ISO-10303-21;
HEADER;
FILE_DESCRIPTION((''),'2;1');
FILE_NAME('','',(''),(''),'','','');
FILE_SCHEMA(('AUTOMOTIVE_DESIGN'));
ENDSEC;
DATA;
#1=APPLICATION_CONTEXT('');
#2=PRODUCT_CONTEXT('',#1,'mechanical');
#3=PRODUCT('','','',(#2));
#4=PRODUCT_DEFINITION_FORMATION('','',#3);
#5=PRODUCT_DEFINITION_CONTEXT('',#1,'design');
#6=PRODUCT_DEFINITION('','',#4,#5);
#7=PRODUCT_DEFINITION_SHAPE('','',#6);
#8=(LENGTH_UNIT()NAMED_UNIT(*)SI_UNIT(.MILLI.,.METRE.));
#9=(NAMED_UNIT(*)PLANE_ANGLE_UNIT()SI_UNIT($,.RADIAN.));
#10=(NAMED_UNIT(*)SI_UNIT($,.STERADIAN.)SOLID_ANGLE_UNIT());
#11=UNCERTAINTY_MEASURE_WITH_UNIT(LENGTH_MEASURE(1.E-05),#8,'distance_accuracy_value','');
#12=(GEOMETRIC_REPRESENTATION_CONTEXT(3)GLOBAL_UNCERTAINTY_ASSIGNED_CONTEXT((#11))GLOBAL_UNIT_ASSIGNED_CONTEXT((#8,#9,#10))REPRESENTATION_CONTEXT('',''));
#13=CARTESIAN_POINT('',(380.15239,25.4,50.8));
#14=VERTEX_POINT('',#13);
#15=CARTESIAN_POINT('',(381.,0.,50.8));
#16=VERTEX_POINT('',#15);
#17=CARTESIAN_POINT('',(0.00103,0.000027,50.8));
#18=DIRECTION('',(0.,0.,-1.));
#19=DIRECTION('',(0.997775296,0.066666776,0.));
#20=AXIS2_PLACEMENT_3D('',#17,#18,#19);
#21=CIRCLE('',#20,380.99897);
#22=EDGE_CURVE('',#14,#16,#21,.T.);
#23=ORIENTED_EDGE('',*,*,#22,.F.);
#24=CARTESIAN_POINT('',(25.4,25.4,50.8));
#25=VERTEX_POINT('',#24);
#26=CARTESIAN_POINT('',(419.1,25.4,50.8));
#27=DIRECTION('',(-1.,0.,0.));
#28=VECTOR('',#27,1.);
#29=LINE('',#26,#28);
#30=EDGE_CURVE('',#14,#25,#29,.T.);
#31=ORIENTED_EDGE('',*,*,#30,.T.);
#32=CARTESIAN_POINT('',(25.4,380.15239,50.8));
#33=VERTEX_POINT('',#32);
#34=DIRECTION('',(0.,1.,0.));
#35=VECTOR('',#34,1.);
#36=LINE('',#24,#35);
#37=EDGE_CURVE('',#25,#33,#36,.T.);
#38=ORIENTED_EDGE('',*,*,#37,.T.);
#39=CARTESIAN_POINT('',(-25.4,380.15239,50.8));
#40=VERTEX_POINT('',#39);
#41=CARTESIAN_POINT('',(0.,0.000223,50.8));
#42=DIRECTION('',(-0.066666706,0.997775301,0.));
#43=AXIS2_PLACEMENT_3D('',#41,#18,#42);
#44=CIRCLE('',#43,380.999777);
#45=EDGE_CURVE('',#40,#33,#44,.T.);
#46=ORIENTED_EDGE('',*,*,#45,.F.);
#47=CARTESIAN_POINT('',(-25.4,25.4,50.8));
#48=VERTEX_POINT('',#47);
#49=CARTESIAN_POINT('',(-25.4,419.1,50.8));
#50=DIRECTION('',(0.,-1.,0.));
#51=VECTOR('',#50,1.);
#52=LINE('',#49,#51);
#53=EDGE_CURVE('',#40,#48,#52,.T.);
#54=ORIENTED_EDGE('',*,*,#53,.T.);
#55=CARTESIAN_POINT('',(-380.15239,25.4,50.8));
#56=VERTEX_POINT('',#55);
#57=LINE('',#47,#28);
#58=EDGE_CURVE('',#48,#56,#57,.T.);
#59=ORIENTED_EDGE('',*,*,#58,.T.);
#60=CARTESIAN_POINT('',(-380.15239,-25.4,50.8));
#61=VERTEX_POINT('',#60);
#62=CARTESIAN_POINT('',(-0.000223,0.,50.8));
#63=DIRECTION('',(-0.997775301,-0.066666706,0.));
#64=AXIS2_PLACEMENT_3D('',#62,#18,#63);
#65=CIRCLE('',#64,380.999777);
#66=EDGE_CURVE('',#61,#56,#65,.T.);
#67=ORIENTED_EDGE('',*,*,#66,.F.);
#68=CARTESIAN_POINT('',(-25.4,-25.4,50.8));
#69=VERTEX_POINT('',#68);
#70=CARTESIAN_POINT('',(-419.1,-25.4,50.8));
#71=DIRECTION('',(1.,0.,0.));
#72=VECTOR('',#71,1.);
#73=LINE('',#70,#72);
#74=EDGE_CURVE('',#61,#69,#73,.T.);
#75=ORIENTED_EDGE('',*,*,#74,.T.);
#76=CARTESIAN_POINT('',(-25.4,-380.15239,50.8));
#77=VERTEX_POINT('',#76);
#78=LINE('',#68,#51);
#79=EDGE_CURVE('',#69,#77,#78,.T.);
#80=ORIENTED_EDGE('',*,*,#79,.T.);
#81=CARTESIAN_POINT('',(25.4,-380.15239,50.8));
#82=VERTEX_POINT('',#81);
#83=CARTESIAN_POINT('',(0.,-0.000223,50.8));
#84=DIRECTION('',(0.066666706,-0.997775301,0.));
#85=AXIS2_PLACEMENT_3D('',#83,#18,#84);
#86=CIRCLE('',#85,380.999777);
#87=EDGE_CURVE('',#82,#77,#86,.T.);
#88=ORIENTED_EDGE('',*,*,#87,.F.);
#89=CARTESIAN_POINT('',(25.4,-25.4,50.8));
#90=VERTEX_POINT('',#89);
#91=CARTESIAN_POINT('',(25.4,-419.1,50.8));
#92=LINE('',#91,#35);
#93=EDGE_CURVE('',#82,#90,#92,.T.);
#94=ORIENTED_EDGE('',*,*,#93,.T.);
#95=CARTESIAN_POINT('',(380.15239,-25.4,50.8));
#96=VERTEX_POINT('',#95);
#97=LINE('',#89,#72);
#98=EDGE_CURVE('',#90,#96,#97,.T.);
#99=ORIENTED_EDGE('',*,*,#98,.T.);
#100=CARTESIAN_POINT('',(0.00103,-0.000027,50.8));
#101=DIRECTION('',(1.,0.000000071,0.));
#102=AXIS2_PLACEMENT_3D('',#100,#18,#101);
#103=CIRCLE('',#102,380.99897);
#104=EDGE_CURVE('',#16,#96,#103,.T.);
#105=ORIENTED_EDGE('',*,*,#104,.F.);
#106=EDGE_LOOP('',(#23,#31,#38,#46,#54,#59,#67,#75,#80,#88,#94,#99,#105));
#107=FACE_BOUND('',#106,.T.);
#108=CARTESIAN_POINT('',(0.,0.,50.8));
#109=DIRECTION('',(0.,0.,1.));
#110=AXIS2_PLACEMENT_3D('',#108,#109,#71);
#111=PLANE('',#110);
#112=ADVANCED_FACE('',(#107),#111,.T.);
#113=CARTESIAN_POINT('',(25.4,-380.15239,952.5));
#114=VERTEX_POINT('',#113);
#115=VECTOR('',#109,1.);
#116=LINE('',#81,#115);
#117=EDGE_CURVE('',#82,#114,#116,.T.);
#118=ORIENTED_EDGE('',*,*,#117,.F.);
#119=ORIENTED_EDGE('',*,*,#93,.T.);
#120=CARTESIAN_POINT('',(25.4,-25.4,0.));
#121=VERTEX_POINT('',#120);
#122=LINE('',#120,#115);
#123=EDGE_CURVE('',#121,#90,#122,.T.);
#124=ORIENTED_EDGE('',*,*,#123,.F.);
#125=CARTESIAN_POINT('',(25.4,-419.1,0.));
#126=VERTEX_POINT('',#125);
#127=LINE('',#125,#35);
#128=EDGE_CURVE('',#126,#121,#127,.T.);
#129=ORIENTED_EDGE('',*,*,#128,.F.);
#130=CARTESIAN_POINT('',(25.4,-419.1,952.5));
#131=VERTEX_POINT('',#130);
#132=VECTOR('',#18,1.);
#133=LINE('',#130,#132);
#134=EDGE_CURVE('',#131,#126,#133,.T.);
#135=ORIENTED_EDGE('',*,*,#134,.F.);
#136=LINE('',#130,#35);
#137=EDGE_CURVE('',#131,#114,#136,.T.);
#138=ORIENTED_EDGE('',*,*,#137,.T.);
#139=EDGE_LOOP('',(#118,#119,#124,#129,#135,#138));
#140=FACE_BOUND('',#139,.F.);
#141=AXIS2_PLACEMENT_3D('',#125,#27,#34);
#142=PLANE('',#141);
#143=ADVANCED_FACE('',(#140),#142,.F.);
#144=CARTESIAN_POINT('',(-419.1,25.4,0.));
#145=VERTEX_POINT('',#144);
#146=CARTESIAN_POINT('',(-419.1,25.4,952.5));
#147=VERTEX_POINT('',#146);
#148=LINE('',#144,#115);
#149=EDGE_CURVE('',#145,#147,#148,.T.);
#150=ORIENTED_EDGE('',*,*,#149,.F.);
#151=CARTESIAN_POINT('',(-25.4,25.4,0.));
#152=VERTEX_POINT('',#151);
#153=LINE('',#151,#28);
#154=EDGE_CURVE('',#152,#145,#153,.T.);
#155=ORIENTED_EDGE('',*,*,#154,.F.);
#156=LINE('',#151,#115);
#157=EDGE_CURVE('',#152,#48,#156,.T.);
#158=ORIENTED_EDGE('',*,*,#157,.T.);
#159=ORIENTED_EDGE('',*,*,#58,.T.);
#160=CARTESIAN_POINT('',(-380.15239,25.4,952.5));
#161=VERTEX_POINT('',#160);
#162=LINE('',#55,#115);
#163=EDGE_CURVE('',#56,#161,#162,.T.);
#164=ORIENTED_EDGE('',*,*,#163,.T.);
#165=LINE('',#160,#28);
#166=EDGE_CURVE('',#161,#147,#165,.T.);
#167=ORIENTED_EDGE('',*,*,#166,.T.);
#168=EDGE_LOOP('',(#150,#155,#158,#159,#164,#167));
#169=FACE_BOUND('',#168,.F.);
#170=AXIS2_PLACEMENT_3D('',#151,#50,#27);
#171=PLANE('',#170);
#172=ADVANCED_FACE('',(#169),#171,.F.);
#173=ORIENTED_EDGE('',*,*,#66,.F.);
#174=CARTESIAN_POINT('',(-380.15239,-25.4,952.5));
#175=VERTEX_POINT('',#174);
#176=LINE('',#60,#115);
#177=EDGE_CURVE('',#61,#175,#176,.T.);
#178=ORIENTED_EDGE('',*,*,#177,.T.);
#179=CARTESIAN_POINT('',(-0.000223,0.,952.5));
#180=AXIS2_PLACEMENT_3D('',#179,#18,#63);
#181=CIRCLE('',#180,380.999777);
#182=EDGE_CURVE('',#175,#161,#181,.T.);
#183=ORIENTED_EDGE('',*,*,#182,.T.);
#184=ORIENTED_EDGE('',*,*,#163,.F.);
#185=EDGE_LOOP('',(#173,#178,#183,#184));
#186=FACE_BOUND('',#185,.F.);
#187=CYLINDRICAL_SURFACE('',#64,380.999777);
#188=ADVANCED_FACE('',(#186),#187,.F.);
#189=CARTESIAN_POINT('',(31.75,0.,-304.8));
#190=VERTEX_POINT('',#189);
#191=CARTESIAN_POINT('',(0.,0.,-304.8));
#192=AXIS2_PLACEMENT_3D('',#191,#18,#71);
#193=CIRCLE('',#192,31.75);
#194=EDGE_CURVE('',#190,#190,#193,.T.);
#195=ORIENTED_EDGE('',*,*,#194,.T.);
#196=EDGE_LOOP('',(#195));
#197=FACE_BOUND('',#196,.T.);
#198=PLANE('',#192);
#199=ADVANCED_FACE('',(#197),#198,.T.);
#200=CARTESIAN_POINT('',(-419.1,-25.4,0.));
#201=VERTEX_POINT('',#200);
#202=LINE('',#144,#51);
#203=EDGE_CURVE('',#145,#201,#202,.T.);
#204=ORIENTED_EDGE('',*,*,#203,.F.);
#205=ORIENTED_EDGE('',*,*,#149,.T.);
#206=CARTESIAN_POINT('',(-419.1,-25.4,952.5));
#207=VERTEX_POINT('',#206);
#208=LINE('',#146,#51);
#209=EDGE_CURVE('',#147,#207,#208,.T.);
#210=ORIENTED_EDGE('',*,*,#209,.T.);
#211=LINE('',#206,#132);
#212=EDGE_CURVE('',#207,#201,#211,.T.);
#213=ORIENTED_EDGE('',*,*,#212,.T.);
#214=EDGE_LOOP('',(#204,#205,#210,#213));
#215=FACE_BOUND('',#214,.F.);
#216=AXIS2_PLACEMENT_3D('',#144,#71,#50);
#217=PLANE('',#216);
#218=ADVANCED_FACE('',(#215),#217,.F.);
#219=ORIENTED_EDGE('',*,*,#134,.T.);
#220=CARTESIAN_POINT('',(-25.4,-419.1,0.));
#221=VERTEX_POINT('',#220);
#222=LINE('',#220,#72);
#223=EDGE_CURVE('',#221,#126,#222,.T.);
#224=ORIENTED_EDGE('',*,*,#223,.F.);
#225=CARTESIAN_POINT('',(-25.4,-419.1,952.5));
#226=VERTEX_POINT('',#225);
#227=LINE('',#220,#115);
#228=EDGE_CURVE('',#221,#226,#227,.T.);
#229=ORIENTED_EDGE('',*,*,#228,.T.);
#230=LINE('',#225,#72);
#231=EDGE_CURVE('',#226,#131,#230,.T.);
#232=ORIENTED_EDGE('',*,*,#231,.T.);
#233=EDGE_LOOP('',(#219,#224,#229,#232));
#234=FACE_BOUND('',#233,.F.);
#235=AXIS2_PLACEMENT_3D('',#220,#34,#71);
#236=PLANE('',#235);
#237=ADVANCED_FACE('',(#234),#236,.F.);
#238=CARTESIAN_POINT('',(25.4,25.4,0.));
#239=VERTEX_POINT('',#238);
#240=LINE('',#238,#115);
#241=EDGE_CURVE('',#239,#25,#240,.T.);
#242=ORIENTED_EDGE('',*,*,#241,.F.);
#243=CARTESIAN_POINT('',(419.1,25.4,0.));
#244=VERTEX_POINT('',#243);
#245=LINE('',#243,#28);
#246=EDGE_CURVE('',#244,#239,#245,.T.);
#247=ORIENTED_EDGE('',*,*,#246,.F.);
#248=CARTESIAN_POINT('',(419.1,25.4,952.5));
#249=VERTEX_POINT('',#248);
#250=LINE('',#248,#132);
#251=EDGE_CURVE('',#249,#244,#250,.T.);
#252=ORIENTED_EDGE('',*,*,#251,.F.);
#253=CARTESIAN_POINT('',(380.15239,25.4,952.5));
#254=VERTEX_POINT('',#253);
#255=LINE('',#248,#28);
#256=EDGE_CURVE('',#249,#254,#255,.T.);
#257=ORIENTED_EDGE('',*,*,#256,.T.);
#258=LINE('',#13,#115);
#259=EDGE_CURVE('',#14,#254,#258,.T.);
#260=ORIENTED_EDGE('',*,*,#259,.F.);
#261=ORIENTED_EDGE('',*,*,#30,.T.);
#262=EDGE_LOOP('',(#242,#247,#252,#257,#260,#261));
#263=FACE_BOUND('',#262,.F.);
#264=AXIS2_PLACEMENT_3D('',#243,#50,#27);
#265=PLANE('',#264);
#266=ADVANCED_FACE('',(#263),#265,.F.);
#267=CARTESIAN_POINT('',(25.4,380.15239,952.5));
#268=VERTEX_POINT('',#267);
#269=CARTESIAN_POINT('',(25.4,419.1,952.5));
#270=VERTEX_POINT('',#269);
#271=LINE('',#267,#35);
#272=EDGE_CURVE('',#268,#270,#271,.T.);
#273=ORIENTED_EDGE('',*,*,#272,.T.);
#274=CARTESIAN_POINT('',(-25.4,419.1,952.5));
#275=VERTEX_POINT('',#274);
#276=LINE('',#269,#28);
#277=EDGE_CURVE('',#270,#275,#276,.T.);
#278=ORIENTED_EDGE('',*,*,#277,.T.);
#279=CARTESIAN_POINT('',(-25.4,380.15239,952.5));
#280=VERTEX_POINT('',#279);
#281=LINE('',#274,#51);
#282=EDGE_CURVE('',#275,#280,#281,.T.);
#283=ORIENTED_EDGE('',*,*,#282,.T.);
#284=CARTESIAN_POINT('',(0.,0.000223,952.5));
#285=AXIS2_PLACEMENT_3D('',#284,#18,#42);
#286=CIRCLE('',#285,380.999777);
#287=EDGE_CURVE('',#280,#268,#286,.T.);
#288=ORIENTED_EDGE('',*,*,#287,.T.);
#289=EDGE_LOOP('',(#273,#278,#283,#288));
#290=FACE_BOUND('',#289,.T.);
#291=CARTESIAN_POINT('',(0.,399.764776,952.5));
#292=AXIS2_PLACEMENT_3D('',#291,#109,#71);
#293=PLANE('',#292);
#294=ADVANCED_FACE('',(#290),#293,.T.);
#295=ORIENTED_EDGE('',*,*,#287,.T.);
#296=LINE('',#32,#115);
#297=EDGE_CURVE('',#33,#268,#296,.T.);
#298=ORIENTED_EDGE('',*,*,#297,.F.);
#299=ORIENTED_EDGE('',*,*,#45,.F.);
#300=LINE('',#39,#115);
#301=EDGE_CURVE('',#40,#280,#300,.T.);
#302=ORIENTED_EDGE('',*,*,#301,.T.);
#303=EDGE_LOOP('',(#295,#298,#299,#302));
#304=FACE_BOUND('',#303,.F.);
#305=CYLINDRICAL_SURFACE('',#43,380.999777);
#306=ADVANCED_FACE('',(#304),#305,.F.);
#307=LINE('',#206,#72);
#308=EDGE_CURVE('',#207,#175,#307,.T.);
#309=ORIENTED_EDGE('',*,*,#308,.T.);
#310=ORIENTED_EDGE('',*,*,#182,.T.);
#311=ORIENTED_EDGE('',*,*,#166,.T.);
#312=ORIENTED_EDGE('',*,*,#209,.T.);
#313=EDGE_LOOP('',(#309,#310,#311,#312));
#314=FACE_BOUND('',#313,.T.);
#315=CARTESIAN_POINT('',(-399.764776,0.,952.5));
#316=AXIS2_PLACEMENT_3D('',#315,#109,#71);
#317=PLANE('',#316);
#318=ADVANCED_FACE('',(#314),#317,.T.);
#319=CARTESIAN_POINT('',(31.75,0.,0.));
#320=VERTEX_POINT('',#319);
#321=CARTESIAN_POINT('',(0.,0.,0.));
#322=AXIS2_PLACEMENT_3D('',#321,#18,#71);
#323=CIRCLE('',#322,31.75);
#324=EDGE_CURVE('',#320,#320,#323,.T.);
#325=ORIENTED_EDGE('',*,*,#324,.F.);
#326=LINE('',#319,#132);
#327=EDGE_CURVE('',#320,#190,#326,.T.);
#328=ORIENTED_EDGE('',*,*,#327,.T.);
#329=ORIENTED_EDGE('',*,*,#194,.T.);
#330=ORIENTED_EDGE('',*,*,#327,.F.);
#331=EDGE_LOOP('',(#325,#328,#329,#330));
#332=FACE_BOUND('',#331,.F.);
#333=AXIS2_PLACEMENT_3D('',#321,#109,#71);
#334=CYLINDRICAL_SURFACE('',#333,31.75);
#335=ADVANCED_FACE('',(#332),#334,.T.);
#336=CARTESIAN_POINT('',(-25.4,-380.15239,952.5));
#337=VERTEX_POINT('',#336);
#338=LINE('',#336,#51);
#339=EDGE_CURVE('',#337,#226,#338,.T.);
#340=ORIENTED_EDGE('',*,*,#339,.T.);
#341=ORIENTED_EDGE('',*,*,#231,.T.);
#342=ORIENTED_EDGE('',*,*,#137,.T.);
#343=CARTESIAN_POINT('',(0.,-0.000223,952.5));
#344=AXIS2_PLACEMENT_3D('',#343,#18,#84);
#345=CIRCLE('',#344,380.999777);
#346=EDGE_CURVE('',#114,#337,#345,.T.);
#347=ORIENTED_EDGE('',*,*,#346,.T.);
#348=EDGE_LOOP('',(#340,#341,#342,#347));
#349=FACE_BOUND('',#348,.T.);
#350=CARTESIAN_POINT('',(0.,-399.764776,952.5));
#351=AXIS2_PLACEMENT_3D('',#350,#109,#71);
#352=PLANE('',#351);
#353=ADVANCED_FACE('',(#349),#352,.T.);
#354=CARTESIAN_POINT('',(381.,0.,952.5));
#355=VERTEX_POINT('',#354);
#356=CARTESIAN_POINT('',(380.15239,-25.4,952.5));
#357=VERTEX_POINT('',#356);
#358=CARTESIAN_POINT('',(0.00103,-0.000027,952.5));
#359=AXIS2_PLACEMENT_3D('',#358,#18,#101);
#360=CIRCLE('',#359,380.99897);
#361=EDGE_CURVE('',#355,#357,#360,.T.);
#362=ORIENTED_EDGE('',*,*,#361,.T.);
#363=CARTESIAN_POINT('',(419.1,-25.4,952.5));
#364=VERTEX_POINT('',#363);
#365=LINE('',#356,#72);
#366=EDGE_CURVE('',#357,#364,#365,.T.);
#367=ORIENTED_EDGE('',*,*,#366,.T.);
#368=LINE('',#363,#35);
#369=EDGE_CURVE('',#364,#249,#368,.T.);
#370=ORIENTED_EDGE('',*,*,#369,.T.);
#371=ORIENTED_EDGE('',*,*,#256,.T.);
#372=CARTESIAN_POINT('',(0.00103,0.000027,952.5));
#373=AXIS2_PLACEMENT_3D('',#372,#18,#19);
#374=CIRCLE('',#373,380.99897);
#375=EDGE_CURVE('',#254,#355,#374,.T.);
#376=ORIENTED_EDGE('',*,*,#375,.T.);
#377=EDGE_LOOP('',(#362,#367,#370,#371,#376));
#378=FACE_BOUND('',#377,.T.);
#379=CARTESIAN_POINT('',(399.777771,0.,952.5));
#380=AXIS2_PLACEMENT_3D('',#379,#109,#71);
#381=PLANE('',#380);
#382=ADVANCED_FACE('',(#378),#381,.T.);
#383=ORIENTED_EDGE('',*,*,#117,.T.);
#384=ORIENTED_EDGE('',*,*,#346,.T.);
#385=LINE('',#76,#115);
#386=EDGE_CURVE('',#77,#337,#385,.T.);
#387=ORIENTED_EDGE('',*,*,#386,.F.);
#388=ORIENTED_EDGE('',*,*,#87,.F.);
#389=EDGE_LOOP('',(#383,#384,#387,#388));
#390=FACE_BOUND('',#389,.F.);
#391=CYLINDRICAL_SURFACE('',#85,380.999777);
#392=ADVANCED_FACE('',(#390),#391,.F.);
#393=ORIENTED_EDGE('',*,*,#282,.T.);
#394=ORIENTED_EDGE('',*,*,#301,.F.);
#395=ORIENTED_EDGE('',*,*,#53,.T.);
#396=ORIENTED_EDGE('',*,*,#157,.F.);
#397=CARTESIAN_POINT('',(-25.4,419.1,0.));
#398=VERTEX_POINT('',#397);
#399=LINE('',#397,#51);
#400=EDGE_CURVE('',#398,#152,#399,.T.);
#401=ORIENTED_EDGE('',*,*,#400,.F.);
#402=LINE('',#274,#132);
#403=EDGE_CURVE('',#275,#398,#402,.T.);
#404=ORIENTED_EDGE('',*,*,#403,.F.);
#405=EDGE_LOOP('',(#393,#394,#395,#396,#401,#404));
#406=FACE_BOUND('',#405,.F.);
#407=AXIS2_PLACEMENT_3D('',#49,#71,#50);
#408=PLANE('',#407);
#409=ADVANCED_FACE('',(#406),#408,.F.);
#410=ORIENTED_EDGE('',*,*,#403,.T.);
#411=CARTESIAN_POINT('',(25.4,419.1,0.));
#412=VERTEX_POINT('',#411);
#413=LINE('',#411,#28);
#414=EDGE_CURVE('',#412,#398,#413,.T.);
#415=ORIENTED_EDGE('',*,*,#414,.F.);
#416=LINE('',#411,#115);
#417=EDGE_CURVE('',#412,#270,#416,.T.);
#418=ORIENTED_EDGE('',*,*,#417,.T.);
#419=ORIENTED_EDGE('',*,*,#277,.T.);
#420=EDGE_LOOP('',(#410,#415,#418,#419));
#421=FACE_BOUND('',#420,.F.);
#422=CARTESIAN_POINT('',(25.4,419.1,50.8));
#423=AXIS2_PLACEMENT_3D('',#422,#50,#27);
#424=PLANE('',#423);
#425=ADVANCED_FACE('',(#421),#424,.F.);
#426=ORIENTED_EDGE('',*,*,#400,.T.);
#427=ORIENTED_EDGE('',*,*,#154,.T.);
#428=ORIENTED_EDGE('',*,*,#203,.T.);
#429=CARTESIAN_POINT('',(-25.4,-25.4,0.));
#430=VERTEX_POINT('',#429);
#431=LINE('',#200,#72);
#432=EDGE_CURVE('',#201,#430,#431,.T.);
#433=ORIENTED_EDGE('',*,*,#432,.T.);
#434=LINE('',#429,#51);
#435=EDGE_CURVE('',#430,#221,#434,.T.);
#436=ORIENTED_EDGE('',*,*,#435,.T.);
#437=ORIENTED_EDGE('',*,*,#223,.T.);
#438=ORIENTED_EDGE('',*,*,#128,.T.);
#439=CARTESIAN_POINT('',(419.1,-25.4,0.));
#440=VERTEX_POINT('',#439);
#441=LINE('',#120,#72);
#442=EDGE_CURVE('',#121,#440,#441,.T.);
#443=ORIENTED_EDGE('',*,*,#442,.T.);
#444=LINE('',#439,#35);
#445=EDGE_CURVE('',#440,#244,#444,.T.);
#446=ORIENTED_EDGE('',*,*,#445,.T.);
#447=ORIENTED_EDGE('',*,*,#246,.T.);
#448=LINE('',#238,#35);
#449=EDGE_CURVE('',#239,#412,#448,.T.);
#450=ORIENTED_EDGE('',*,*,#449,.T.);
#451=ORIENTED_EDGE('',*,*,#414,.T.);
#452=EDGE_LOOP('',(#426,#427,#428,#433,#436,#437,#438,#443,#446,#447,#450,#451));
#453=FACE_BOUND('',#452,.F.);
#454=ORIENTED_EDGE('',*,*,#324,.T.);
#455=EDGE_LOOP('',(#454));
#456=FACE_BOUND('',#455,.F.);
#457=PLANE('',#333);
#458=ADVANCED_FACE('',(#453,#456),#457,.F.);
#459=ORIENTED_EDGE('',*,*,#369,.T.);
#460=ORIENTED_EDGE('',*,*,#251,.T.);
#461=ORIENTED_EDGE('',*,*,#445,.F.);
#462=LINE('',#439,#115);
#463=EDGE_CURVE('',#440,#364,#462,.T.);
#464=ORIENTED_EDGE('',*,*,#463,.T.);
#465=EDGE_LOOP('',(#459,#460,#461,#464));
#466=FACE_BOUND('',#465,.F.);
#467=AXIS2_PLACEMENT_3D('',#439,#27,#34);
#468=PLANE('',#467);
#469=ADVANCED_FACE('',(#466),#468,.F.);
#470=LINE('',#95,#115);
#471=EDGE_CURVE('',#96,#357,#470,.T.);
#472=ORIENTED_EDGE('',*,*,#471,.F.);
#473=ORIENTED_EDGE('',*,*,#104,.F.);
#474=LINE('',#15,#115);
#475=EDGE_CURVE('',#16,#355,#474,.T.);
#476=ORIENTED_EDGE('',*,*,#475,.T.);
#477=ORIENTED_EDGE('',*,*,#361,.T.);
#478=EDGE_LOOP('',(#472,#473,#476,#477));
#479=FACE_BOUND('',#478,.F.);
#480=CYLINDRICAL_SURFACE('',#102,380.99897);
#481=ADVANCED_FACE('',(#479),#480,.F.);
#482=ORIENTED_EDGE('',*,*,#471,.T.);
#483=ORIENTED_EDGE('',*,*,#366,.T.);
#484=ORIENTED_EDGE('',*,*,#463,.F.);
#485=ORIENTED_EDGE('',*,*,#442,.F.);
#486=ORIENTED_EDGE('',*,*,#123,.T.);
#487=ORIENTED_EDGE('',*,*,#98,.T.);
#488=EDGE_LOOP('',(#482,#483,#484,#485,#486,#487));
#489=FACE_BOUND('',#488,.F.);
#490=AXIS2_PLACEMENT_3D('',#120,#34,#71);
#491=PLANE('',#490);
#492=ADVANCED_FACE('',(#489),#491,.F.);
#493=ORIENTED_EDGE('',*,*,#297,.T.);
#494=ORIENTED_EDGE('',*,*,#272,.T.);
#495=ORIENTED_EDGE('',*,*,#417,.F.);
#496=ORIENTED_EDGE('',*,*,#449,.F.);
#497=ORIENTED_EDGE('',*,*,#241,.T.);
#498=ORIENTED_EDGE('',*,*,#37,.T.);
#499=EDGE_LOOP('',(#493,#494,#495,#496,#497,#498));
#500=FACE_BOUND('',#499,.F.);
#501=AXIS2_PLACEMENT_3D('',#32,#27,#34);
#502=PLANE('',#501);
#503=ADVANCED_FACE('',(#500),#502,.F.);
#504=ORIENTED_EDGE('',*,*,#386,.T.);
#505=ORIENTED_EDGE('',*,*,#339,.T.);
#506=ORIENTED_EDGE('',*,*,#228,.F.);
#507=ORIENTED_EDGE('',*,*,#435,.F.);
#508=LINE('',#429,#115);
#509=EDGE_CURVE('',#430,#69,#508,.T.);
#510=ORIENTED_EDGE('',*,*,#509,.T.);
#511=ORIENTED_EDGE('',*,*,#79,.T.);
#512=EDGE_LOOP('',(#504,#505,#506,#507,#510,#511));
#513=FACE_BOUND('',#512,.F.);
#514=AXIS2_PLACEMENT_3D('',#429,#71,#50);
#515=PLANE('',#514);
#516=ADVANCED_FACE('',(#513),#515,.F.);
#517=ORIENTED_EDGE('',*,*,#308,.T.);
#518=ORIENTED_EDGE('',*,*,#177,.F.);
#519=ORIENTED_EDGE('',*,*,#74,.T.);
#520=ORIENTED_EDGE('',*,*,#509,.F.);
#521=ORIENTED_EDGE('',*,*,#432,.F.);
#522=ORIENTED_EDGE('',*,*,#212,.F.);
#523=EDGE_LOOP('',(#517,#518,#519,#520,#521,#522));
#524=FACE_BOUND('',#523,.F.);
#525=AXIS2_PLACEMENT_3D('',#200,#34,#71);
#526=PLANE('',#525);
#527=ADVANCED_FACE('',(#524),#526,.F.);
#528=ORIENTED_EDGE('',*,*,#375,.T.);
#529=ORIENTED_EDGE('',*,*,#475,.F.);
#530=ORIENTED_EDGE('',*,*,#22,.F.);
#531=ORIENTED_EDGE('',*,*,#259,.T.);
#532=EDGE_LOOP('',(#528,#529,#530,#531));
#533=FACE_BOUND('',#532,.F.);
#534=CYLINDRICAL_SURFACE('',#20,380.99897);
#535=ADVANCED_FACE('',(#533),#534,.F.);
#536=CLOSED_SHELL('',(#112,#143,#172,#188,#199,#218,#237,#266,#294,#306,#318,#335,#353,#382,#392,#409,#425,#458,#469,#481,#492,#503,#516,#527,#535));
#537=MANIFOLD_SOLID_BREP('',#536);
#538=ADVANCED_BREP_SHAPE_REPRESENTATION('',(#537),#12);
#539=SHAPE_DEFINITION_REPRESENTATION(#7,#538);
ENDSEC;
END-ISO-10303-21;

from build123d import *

# Parameters (mm, degrees)
F1_DEPTH = 50.8
F3_DEPTH = 901.7
F4_R     = 31.75
F5_DEPTH = 304.8


with BuildPart() as f1:
    # F0 (on Top) → F1 (new body)
    with BuildSketch(Plane.XY):
        Polygon((25.4, 419.1), (-25.4, 419.1), (-25.4, 25.4), (-419.1, 25.4), (-419.1, -25.4), (-25.4, -25.4), (-25.4, -419.1), (25.4, -419.1), (25.4, -25.4), (419.1, -25.4), (419.1, 25.4), (25.4, 25.4), align=None)
    extrude(amount=F1_DEPTH)

    # F2 (on face) → F3 (join)
    with BuildSketch(Plane.XY.offset(50.8)):
        with BuildLine():
            ThreePointArc((-25.4, 380.15239), (0, 381), (25.4, 380.15239))
            Line((25.4, 380.15239), (25.4, 419.1))
            Line((25.4, 419.1), (-25.4, 419.1))
            Line((-25.4, 419.1), (-25.4, 380.15239))
        make_face()
        with BuildLine():
            ThreePointArc((-380.15239, -25.4), (-381, 0), (-380.15239, 25.4))
            Line((-380.15239, 25.4), (-419.1, 25.4))
            Line((-419.1, 25.4), (-419.1, -25.4))
            Line((-419.1, -25.4), (-380.15239, -25.4))
        make_face()
        with BuildLine():
            Line((25.4, -419.1), (25.4, -380.15239))
            ThreePointArc((25.4, -380.15239), (0, -381), (-25.4, -380.15239))
            Line((-25.4, -380.15239), (-25.4, -419.1))
            Line((-25.4, -419.1), (25.4, -419.1))
        make_face()
        with BuildLine():
            ThreePointArc((380.15239, 25.4), (380.788039, 12.707069), (381, 0))
            ThreePointArc((381, 0), (380.788039, -12.707069), (380.15239, -25.4))
            Line((380.15239, -25.4), (419.1, -25.4))
            Line((419.1, -25.4), (419.1, 25.4))
            Line((419.1, 25.4), (380.15239, 25.4))
        make_face()
    extrude(amount=F3_DEPTH)

    # F4 (on face) → F5 (join)
    with BuildSketch(Plane(origin=(0, 0, 0), x_dir=(1, 0, 0), z_dir=(0, 0, -1))):
        Circle(F4_R)
    extrude(amount=F5_DEPTH)


solid = f1.part
